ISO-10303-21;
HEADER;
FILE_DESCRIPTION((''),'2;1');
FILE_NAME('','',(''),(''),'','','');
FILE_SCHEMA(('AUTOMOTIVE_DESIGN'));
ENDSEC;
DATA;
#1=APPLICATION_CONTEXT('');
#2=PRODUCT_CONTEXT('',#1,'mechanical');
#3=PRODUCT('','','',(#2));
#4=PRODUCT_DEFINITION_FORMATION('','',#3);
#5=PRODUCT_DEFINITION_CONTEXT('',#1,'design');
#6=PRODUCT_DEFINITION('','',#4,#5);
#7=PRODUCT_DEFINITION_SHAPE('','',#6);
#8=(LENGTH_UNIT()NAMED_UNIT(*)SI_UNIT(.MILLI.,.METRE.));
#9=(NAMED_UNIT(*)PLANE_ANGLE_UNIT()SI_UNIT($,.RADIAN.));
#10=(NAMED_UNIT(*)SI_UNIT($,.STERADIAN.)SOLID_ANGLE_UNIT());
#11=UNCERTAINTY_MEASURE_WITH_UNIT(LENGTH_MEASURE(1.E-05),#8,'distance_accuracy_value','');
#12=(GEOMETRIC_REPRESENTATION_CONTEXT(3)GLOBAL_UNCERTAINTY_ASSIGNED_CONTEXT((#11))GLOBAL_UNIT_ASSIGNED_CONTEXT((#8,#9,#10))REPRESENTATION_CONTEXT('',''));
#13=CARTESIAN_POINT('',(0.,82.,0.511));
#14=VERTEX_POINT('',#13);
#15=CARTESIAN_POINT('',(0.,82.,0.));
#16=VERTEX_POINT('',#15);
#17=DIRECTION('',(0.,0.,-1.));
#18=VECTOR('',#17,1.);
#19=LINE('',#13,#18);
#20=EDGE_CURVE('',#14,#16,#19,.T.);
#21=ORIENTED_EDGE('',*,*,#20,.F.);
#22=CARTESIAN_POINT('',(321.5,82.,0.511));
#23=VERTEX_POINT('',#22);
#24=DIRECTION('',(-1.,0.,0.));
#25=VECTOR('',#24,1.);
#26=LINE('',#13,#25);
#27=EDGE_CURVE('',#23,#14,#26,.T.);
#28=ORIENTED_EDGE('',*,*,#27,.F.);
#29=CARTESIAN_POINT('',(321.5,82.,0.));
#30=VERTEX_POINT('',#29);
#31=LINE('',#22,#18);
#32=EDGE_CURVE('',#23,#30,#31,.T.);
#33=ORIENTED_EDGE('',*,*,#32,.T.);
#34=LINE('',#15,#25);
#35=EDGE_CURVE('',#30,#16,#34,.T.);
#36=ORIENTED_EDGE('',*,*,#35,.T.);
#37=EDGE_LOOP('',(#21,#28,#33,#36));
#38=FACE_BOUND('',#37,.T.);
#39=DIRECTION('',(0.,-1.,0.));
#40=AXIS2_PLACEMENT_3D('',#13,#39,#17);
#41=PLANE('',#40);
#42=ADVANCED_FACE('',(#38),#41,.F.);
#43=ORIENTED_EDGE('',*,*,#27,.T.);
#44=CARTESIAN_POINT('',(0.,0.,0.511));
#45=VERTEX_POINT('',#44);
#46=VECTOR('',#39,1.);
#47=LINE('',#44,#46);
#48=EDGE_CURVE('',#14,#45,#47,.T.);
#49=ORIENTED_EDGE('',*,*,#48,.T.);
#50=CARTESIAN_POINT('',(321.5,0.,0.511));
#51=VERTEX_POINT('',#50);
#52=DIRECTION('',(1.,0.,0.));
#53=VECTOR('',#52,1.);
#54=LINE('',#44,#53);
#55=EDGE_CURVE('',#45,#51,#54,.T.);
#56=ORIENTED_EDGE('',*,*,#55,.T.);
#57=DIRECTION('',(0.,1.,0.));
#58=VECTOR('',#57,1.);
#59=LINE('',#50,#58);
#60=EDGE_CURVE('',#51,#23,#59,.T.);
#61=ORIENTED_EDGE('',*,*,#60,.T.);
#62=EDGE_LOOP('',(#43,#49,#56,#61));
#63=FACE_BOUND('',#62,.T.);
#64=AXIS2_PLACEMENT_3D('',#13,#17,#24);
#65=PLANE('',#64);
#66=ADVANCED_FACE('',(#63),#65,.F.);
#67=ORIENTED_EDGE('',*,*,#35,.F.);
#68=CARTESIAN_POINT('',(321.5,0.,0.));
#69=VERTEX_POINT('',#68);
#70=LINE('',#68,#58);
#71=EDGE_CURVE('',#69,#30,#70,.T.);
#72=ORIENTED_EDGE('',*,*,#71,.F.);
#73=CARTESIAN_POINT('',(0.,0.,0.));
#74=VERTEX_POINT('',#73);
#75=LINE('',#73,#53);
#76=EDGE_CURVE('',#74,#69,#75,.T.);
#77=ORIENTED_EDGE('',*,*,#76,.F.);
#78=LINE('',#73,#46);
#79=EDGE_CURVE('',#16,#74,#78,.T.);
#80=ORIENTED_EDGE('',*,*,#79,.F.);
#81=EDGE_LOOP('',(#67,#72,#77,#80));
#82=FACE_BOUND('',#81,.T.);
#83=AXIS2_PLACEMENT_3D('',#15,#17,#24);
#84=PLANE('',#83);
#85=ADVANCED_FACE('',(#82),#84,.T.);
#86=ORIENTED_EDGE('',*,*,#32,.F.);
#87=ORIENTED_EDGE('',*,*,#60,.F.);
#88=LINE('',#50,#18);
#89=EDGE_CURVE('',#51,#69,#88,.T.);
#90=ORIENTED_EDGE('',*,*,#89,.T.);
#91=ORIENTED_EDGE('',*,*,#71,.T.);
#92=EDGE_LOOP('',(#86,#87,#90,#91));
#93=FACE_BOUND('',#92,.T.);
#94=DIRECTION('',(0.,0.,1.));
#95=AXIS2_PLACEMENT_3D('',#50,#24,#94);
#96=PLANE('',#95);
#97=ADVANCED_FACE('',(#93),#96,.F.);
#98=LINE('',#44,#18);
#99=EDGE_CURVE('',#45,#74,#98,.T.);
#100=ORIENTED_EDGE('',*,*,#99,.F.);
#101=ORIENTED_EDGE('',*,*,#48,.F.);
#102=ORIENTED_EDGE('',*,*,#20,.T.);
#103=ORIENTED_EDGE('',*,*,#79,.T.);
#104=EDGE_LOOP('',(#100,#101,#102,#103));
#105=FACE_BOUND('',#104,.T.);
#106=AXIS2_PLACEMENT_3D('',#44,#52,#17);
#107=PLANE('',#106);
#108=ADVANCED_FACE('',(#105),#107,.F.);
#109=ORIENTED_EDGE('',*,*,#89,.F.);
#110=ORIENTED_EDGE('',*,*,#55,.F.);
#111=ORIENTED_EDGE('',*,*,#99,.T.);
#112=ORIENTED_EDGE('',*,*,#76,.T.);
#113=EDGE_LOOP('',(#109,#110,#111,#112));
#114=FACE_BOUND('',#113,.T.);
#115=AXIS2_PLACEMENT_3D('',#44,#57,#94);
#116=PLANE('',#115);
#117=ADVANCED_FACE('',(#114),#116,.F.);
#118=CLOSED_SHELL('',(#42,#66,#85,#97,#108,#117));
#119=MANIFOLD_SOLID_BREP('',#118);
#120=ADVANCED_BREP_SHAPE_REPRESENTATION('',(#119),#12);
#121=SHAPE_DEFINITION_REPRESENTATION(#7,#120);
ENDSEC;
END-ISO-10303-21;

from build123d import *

# Parameters (mm, degrees)
SKETCH1_W   = 321.5
SKETCH1_H   = 82
SHEET_DEPTH = 0.511


with BuildPart() as part:
    # Sketch1 → Sheet (new body)
    with BuildSketch(Plane.XY):
        with Locations((160.75, 41)):
            Rectangle(SKETCH1_W, SKETCH1_H)
    extrude(amount=SHEET_DEPTH)


solid = part.part
